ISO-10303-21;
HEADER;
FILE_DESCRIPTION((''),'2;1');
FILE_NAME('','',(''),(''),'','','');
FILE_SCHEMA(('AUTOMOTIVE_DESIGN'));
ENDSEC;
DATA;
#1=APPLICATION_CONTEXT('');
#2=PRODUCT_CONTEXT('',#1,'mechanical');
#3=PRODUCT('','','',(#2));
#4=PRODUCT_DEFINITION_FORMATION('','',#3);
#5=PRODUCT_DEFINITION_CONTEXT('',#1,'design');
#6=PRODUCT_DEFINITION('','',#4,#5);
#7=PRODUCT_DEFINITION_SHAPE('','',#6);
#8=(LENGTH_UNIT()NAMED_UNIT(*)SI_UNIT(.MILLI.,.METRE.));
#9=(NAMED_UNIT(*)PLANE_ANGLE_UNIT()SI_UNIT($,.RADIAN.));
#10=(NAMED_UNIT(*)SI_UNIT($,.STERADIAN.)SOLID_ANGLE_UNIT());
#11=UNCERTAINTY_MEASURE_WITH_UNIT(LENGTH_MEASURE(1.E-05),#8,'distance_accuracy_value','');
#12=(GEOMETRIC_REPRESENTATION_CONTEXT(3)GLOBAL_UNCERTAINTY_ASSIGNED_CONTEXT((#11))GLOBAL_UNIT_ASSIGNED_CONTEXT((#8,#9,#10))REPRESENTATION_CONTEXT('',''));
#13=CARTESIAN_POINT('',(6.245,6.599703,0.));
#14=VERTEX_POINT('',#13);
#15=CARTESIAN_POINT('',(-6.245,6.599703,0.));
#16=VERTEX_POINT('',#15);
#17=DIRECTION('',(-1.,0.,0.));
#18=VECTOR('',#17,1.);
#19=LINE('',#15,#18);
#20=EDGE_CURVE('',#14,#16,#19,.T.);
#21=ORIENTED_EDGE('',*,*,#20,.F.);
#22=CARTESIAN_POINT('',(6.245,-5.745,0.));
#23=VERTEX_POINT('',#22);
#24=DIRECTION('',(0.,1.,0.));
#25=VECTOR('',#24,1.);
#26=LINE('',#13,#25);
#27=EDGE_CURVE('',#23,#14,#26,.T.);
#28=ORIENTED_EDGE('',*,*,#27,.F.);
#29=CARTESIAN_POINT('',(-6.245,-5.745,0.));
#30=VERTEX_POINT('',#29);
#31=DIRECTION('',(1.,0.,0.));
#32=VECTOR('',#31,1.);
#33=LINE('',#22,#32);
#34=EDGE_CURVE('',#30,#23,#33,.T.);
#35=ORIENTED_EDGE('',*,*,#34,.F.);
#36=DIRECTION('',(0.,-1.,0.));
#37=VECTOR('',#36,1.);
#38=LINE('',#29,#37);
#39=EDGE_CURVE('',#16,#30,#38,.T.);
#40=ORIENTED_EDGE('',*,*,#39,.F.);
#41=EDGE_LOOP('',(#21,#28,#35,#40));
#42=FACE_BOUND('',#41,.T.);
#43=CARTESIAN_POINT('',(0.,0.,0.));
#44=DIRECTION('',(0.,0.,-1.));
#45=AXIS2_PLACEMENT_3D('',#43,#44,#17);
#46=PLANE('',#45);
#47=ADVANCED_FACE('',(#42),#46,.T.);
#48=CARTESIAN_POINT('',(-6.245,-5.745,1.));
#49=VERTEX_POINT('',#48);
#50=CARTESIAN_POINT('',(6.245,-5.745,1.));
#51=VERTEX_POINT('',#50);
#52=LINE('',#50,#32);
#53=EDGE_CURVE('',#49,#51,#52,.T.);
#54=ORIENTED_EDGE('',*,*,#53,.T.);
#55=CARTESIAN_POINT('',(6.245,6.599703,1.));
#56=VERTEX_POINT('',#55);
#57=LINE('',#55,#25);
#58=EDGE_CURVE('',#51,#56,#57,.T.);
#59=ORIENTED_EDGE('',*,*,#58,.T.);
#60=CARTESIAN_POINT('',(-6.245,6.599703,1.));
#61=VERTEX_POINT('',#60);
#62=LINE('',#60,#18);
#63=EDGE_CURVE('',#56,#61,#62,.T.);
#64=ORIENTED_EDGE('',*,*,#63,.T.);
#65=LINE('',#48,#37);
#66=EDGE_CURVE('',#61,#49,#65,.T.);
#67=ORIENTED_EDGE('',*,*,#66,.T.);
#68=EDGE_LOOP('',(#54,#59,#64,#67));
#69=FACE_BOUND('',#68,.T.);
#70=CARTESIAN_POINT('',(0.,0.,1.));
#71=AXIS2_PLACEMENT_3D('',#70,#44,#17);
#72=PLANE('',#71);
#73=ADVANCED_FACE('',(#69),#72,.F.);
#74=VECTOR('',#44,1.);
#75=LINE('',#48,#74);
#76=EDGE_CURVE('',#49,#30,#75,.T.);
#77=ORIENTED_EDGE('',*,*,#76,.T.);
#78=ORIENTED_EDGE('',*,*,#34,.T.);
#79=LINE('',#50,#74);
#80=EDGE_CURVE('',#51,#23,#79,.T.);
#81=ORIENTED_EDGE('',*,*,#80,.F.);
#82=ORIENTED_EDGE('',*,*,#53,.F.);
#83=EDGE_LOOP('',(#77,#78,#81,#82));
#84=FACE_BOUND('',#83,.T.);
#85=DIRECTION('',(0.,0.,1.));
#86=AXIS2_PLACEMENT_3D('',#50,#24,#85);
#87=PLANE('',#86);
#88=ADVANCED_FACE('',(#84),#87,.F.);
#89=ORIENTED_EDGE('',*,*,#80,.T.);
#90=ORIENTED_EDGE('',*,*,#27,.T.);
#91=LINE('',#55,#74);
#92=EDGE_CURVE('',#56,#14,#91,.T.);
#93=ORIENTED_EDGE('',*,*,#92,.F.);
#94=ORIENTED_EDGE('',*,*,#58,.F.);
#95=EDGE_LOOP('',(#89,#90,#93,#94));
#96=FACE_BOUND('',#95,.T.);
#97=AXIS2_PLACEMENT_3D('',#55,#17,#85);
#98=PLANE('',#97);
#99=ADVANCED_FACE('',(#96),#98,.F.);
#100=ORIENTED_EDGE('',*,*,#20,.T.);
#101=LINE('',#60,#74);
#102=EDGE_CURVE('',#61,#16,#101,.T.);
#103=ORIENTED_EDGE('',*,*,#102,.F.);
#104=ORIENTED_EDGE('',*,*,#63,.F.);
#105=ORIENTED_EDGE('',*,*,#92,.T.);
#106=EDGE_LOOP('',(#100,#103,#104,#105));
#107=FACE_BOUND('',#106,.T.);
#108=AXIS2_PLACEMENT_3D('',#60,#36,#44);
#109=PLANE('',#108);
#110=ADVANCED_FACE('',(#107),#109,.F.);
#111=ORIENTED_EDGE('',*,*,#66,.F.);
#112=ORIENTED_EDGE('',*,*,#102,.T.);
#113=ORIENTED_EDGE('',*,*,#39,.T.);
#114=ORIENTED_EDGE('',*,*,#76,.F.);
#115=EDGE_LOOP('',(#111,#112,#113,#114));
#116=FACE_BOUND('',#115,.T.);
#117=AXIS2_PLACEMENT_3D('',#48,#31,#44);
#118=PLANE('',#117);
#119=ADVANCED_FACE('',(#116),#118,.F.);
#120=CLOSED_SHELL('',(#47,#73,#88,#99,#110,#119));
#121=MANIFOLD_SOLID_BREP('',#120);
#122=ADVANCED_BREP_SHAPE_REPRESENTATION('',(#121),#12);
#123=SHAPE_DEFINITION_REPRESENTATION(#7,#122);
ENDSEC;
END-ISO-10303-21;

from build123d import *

# Parameters (mm, degrees)
SKETCH1_W               = 12.49
SKETCH1_H               = 12.344703
COMPONENT_OUTLINE_DEPTH = 1


with BuildPart() as part:
    # Sketch1 → Component_Outline (new body)
    with BuildSketch(Plane.XY):
        with Locations((0, 0.4273515)):
            Rectangle(SKETCH1_W, SKETCH1_H)
    extrude(amount=COMPONENT_OUTLINE_DEPTH)


solid = part.part
